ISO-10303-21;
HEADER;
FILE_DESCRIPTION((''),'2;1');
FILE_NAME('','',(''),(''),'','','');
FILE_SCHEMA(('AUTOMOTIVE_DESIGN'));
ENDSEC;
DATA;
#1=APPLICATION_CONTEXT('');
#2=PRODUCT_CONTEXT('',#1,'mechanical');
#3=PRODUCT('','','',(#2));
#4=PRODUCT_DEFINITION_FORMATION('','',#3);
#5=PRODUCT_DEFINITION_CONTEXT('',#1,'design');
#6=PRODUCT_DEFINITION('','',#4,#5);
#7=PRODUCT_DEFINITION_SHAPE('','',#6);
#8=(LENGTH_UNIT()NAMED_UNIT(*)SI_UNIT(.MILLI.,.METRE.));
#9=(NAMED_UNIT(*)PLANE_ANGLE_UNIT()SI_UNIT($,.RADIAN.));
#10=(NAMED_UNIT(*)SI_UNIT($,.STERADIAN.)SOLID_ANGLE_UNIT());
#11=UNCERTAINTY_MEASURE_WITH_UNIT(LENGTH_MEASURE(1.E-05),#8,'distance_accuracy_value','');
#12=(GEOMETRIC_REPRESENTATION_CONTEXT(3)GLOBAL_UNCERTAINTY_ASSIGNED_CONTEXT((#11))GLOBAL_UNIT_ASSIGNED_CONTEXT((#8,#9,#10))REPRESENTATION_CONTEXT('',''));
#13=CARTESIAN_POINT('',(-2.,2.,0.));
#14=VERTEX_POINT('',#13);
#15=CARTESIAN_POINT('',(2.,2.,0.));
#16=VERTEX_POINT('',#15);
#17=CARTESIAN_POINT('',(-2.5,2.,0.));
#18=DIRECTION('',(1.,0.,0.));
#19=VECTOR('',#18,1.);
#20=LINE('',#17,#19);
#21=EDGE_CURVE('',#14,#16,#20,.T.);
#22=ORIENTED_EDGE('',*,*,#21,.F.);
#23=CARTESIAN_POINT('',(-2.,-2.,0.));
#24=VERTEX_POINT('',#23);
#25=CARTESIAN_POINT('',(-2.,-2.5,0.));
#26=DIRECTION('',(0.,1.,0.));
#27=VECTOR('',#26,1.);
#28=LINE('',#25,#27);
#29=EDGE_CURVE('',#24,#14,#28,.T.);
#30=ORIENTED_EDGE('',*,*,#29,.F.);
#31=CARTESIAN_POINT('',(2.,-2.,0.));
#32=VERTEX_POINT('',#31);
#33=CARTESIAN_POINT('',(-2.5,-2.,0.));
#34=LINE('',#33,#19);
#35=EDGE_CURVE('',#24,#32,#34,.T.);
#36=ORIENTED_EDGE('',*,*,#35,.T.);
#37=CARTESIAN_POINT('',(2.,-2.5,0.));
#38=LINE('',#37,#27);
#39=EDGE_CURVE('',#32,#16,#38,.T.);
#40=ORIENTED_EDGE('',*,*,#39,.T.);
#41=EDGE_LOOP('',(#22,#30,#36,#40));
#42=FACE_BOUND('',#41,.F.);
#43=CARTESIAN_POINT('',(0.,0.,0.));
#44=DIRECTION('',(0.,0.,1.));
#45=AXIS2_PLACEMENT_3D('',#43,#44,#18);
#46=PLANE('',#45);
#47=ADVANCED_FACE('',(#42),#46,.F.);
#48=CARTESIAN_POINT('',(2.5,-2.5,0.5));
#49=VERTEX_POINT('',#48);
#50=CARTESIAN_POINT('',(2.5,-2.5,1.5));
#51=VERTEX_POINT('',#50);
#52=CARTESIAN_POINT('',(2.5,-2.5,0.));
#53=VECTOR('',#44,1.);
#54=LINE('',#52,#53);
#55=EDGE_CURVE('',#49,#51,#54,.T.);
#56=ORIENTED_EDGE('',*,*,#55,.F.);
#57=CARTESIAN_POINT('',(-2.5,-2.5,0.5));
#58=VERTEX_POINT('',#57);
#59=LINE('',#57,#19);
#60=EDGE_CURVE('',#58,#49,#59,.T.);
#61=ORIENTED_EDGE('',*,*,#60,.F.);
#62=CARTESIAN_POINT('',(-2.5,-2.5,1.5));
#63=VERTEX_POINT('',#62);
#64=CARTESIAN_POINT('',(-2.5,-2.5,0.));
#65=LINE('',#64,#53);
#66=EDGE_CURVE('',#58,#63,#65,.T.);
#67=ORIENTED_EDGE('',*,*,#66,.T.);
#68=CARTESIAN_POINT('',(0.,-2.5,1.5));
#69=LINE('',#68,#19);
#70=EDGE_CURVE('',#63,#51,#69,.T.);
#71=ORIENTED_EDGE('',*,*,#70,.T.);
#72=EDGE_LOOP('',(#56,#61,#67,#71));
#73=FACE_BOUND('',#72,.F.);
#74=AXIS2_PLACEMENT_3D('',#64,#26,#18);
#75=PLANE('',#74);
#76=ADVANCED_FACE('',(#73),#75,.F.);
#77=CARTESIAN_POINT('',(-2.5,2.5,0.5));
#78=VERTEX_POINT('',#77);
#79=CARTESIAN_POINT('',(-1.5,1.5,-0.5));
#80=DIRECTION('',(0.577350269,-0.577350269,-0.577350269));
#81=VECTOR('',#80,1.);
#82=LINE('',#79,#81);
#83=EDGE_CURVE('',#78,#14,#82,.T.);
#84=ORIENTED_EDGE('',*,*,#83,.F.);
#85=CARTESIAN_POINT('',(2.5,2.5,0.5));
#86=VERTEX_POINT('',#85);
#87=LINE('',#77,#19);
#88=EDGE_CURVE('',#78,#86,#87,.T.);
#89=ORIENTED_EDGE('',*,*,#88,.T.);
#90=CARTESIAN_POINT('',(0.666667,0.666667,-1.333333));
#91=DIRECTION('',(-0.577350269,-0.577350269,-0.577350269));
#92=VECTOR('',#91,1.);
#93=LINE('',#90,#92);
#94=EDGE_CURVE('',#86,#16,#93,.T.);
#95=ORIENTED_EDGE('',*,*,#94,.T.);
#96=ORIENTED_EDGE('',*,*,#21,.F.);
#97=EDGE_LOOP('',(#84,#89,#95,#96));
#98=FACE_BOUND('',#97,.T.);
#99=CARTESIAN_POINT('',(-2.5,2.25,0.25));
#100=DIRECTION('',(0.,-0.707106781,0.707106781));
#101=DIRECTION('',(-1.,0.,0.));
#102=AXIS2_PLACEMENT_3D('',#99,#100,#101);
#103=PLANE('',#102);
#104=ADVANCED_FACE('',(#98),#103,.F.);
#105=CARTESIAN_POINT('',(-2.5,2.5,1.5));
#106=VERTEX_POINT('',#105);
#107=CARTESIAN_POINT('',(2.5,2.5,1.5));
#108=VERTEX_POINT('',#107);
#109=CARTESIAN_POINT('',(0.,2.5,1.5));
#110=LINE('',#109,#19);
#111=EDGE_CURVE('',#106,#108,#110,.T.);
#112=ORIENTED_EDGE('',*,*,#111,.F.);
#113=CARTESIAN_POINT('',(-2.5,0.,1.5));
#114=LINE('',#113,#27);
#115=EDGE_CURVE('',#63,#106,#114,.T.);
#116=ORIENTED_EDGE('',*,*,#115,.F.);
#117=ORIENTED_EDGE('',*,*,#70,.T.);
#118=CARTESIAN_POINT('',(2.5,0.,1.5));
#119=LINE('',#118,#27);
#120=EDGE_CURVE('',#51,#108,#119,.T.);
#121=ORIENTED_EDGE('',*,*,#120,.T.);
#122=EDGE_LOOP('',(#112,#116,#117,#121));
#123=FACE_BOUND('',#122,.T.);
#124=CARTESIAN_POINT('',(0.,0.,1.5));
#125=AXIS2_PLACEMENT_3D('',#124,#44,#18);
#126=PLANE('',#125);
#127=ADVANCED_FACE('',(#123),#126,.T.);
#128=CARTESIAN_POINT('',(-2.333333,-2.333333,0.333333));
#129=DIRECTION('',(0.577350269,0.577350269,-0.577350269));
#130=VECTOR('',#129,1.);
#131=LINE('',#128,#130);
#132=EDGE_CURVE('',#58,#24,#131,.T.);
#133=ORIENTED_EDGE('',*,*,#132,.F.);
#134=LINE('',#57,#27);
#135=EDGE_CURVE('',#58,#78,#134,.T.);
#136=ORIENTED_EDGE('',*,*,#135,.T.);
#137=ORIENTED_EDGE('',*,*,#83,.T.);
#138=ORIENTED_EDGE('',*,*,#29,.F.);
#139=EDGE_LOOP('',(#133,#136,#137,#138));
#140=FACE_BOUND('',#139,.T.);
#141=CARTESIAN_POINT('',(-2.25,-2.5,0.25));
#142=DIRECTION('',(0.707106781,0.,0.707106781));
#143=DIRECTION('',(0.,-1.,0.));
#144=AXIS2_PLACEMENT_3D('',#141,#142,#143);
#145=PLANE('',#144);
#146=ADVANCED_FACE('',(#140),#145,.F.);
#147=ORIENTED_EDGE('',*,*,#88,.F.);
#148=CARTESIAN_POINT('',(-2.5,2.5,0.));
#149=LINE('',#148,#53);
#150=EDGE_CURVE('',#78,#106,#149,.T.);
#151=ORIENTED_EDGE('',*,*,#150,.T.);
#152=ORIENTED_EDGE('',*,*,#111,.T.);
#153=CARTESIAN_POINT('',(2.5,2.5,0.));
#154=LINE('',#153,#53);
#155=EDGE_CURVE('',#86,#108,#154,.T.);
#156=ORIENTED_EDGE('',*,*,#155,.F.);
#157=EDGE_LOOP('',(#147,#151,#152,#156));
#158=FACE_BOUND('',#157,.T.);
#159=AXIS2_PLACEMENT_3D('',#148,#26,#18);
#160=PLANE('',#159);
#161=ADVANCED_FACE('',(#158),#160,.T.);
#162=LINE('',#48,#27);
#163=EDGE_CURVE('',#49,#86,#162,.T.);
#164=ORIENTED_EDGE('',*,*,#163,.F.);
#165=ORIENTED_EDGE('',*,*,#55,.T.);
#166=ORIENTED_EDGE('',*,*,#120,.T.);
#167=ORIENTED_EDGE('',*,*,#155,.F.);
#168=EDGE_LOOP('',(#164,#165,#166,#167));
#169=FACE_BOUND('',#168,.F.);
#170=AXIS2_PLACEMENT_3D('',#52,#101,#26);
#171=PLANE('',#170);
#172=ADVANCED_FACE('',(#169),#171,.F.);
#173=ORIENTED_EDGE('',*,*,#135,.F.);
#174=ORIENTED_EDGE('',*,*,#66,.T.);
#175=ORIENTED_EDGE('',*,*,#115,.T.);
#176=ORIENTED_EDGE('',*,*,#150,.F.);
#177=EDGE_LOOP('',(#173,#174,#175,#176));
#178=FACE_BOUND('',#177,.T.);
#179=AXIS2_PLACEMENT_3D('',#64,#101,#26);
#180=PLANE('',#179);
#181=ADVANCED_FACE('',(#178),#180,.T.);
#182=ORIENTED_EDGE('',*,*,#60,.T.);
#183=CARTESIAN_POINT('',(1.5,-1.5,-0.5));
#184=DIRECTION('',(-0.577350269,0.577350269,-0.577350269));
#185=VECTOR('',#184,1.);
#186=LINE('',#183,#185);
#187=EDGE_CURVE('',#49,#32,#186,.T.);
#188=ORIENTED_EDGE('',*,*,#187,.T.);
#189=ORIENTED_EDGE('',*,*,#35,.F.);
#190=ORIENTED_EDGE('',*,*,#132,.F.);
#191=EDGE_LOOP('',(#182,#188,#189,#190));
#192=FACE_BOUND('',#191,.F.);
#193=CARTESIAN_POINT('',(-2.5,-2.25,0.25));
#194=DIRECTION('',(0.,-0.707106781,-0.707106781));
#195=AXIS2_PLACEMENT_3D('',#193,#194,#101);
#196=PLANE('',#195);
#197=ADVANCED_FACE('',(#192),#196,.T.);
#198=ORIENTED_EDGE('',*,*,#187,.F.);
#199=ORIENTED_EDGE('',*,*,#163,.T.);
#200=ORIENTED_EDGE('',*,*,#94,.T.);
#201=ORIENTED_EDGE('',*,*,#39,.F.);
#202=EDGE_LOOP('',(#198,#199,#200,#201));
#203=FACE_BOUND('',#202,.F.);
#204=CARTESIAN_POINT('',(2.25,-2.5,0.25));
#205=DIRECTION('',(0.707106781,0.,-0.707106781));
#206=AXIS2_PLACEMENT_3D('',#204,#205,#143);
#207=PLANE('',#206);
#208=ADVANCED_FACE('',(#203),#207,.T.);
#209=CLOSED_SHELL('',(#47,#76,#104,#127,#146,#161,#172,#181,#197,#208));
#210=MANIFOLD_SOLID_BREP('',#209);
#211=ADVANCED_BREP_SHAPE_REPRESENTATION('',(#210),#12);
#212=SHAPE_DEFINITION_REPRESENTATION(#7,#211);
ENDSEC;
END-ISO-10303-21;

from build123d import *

# Parameters (mm, degrees)
SKETCH_W     = 5
SKETCH_H     = 5
PAD_DEPTH    = 1.5
CHAMFER_SIZE = 0.5


with BuildPart() as part:
    # Sketch → Pad (new body)
    with BuildSketch(Plane.XY):
        Rectangle(SKETCH_W, SKETCH_H)
    extrude(amount=PAD_DEPTH)

    # Chamfer
    chamfer_edges = [part.edges().sort_by_distance(p)[0] for p in [
        (-2.5, 0, 0),
        (0, -2.5, 0),
        (2.5, 0, 0),
        (0, 2.5, 0),
    ]]
    chamfer(chamfer_edges, length=CHAMFER_SIZE)


solid = part.part
